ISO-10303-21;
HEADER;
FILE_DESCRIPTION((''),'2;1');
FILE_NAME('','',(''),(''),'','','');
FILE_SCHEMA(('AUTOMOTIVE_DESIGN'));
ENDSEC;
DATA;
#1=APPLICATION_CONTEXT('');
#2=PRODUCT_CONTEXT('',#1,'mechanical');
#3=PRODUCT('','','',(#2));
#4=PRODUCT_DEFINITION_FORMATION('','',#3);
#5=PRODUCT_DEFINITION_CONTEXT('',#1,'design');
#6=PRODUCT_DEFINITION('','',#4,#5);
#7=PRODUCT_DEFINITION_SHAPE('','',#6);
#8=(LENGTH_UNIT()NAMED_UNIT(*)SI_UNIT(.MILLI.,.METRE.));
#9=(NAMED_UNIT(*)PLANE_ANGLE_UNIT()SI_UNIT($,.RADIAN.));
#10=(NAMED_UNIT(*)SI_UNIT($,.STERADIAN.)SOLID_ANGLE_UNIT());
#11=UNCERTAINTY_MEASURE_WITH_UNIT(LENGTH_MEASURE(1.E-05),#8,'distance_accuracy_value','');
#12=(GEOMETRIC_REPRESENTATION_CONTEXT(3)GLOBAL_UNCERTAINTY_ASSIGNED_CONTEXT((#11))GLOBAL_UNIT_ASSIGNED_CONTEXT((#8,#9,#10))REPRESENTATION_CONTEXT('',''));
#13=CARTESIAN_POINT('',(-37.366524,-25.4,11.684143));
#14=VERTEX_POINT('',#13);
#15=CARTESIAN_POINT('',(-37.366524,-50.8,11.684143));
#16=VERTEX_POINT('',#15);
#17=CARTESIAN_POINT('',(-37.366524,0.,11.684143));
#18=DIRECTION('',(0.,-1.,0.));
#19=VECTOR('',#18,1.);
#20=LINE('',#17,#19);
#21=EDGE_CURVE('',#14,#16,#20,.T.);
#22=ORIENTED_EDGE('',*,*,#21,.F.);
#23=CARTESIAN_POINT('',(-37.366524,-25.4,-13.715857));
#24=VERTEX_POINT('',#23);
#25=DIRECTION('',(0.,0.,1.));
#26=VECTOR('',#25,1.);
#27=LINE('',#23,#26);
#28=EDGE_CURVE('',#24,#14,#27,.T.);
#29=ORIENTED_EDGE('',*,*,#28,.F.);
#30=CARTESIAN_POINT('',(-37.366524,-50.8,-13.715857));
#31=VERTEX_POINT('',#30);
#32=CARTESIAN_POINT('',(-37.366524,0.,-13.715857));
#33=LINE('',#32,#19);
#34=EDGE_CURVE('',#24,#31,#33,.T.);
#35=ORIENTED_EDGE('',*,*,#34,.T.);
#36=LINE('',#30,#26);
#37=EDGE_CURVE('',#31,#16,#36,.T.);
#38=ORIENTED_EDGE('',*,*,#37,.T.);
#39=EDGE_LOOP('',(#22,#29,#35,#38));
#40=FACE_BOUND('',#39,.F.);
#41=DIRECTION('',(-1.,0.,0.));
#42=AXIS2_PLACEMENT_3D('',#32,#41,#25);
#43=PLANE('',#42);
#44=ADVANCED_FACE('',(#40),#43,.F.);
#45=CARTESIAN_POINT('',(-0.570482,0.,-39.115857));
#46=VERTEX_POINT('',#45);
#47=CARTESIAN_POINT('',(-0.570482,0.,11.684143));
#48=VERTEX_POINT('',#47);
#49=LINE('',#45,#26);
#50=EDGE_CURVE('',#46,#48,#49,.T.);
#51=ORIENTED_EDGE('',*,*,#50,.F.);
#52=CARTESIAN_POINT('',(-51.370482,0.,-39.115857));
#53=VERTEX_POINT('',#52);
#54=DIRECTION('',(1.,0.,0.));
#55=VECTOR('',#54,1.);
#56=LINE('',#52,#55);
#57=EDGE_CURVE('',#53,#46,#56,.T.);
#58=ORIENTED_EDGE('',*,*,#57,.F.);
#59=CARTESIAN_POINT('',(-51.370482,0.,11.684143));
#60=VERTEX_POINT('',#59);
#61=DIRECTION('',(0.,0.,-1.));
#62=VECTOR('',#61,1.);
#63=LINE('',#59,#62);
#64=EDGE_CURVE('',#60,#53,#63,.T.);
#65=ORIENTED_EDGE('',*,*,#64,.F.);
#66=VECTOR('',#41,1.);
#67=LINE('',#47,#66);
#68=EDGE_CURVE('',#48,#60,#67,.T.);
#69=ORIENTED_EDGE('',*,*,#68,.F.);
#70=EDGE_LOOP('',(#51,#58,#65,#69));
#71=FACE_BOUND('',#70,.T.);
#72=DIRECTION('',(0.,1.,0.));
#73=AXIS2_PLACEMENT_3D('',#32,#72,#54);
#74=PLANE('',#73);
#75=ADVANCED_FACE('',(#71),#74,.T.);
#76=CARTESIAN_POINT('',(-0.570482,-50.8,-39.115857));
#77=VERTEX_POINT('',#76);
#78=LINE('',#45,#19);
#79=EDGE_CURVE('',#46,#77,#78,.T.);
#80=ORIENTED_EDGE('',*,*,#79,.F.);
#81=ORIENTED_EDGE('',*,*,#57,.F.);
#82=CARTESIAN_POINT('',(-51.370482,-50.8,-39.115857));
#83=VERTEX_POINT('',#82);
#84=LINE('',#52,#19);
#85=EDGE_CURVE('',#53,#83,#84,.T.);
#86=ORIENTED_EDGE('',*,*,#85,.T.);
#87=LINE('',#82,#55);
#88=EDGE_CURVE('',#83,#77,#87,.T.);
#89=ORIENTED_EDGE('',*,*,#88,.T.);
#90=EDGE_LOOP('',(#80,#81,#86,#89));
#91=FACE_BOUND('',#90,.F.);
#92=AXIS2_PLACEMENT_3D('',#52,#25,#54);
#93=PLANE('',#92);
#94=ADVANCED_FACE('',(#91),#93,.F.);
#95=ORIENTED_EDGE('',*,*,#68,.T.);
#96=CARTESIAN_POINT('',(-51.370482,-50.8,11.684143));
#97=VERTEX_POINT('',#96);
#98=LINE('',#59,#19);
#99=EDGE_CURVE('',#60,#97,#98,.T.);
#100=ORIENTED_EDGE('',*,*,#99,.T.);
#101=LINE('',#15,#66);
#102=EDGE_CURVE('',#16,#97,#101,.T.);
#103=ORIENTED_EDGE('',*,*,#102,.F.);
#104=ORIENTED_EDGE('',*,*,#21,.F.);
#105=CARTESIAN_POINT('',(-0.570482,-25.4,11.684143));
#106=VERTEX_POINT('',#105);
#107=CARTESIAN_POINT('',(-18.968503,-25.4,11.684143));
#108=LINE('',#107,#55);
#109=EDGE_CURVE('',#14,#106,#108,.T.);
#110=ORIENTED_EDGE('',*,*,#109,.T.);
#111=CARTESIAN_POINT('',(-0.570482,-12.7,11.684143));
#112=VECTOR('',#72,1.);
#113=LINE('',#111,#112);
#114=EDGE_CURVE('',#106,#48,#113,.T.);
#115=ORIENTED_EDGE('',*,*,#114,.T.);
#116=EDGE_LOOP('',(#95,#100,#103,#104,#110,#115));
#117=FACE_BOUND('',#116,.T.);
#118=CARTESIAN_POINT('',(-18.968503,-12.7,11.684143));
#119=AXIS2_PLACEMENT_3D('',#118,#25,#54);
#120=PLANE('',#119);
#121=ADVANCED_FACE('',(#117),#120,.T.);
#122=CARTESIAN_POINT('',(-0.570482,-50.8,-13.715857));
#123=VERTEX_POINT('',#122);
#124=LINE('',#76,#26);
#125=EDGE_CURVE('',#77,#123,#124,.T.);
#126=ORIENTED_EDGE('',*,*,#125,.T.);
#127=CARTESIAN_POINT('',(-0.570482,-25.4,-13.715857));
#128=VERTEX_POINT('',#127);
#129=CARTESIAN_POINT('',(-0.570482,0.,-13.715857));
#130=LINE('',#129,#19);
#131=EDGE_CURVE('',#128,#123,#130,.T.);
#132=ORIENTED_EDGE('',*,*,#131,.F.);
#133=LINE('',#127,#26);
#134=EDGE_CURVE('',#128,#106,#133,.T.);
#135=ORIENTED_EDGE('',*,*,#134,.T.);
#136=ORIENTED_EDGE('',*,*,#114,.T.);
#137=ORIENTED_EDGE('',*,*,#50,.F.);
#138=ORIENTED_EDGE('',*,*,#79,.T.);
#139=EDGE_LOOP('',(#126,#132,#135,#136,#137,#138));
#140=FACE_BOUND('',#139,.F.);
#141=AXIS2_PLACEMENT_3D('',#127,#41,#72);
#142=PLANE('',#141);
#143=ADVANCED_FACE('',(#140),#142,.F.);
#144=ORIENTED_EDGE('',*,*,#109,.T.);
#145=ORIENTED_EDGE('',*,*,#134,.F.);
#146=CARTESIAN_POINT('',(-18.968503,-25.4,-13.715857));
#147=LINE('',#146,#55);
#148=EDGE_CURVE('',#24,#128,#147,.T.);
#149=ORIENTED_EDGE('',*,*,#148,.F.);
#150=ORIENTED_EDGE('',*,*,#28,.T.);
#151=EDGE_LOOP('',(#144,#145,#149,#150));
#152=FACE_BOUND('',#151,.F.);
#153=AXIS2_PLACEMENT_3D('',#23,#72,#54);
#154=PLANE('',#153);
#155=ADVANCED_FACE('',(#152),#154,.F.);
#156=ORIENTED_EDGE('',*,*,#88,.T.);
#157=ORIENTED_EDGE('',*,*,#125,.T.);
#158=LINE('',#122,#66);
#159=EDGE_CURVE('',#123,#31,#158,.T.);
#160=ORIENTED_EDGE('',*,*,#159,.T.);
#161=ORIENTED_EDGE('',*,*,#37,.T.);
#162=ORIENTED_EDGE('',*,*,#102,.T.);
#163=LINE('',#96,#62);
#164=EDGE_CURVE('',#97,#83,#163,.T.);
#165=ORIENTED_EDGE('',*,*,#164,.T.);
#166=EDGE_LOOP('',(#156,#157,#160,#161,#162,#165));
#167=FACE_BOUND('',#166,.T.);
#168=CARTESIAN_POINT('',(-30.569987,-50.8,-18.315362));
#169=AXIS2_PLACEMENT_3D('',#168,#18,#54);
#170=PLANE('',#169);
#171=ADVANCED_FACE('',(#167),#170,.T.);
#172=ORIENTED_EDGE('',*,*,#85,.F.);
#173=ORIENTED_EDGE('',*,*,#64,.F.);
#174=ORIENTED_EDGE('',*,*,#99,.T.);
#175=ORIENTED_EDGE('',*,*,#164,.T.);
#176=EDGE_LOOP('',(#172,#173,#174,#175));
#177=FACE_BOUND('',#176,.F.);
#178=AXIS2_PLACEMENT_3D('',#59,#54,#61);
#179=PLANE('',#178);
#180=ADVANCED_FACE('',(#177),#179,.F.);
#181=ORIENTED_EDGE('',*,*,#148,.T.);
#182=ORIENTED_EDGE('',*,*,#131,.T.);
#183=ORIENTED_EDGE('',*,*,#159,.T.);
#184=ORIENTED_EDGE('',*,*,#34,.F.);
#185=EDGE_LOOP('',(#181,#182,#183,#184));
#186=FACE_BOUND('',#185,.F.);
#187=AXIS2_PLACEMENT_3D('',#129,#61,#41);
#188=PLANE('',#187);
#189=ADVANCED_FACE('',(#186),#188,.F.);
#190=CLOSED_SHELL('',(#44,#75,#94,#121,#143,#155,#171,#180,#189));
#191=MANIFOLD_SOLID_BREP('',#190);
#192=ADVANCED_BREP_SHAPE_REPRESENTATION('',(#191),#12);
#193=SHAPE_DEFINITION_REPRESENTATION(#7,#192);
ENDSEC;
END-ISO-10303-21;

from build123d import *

# Parameters (mm, degrees)
F1_DEPTH = 50.8
F2_W     = 36.796042
F2_H     = 25.4
F3_DEPTH = 25.4


with BuildPart() as f1:
    # F0 (on Front) → F1 (new body)
    with BuildSketch(Plane.XZ):
        Polygon((-51.370482, -39.115857), (-0.570482, -39.115857), (-0.570482, -13.715857), (-37.366524, -13.715857), (-37.366524, 11.684143), (-51.370482, 11.684143), align=None)
    extrude(amount=F1_DEPTH)

    # F2 (on face) → F3 (join)
    with BuildSketch(Plane.XY.offset(-13.715857)):
        with Locations((-18.968503, -12.7)):
            Rectangle(F2_W, F2_H)
    extrude(amount=F3_DEPTH)


solid = f1.part
